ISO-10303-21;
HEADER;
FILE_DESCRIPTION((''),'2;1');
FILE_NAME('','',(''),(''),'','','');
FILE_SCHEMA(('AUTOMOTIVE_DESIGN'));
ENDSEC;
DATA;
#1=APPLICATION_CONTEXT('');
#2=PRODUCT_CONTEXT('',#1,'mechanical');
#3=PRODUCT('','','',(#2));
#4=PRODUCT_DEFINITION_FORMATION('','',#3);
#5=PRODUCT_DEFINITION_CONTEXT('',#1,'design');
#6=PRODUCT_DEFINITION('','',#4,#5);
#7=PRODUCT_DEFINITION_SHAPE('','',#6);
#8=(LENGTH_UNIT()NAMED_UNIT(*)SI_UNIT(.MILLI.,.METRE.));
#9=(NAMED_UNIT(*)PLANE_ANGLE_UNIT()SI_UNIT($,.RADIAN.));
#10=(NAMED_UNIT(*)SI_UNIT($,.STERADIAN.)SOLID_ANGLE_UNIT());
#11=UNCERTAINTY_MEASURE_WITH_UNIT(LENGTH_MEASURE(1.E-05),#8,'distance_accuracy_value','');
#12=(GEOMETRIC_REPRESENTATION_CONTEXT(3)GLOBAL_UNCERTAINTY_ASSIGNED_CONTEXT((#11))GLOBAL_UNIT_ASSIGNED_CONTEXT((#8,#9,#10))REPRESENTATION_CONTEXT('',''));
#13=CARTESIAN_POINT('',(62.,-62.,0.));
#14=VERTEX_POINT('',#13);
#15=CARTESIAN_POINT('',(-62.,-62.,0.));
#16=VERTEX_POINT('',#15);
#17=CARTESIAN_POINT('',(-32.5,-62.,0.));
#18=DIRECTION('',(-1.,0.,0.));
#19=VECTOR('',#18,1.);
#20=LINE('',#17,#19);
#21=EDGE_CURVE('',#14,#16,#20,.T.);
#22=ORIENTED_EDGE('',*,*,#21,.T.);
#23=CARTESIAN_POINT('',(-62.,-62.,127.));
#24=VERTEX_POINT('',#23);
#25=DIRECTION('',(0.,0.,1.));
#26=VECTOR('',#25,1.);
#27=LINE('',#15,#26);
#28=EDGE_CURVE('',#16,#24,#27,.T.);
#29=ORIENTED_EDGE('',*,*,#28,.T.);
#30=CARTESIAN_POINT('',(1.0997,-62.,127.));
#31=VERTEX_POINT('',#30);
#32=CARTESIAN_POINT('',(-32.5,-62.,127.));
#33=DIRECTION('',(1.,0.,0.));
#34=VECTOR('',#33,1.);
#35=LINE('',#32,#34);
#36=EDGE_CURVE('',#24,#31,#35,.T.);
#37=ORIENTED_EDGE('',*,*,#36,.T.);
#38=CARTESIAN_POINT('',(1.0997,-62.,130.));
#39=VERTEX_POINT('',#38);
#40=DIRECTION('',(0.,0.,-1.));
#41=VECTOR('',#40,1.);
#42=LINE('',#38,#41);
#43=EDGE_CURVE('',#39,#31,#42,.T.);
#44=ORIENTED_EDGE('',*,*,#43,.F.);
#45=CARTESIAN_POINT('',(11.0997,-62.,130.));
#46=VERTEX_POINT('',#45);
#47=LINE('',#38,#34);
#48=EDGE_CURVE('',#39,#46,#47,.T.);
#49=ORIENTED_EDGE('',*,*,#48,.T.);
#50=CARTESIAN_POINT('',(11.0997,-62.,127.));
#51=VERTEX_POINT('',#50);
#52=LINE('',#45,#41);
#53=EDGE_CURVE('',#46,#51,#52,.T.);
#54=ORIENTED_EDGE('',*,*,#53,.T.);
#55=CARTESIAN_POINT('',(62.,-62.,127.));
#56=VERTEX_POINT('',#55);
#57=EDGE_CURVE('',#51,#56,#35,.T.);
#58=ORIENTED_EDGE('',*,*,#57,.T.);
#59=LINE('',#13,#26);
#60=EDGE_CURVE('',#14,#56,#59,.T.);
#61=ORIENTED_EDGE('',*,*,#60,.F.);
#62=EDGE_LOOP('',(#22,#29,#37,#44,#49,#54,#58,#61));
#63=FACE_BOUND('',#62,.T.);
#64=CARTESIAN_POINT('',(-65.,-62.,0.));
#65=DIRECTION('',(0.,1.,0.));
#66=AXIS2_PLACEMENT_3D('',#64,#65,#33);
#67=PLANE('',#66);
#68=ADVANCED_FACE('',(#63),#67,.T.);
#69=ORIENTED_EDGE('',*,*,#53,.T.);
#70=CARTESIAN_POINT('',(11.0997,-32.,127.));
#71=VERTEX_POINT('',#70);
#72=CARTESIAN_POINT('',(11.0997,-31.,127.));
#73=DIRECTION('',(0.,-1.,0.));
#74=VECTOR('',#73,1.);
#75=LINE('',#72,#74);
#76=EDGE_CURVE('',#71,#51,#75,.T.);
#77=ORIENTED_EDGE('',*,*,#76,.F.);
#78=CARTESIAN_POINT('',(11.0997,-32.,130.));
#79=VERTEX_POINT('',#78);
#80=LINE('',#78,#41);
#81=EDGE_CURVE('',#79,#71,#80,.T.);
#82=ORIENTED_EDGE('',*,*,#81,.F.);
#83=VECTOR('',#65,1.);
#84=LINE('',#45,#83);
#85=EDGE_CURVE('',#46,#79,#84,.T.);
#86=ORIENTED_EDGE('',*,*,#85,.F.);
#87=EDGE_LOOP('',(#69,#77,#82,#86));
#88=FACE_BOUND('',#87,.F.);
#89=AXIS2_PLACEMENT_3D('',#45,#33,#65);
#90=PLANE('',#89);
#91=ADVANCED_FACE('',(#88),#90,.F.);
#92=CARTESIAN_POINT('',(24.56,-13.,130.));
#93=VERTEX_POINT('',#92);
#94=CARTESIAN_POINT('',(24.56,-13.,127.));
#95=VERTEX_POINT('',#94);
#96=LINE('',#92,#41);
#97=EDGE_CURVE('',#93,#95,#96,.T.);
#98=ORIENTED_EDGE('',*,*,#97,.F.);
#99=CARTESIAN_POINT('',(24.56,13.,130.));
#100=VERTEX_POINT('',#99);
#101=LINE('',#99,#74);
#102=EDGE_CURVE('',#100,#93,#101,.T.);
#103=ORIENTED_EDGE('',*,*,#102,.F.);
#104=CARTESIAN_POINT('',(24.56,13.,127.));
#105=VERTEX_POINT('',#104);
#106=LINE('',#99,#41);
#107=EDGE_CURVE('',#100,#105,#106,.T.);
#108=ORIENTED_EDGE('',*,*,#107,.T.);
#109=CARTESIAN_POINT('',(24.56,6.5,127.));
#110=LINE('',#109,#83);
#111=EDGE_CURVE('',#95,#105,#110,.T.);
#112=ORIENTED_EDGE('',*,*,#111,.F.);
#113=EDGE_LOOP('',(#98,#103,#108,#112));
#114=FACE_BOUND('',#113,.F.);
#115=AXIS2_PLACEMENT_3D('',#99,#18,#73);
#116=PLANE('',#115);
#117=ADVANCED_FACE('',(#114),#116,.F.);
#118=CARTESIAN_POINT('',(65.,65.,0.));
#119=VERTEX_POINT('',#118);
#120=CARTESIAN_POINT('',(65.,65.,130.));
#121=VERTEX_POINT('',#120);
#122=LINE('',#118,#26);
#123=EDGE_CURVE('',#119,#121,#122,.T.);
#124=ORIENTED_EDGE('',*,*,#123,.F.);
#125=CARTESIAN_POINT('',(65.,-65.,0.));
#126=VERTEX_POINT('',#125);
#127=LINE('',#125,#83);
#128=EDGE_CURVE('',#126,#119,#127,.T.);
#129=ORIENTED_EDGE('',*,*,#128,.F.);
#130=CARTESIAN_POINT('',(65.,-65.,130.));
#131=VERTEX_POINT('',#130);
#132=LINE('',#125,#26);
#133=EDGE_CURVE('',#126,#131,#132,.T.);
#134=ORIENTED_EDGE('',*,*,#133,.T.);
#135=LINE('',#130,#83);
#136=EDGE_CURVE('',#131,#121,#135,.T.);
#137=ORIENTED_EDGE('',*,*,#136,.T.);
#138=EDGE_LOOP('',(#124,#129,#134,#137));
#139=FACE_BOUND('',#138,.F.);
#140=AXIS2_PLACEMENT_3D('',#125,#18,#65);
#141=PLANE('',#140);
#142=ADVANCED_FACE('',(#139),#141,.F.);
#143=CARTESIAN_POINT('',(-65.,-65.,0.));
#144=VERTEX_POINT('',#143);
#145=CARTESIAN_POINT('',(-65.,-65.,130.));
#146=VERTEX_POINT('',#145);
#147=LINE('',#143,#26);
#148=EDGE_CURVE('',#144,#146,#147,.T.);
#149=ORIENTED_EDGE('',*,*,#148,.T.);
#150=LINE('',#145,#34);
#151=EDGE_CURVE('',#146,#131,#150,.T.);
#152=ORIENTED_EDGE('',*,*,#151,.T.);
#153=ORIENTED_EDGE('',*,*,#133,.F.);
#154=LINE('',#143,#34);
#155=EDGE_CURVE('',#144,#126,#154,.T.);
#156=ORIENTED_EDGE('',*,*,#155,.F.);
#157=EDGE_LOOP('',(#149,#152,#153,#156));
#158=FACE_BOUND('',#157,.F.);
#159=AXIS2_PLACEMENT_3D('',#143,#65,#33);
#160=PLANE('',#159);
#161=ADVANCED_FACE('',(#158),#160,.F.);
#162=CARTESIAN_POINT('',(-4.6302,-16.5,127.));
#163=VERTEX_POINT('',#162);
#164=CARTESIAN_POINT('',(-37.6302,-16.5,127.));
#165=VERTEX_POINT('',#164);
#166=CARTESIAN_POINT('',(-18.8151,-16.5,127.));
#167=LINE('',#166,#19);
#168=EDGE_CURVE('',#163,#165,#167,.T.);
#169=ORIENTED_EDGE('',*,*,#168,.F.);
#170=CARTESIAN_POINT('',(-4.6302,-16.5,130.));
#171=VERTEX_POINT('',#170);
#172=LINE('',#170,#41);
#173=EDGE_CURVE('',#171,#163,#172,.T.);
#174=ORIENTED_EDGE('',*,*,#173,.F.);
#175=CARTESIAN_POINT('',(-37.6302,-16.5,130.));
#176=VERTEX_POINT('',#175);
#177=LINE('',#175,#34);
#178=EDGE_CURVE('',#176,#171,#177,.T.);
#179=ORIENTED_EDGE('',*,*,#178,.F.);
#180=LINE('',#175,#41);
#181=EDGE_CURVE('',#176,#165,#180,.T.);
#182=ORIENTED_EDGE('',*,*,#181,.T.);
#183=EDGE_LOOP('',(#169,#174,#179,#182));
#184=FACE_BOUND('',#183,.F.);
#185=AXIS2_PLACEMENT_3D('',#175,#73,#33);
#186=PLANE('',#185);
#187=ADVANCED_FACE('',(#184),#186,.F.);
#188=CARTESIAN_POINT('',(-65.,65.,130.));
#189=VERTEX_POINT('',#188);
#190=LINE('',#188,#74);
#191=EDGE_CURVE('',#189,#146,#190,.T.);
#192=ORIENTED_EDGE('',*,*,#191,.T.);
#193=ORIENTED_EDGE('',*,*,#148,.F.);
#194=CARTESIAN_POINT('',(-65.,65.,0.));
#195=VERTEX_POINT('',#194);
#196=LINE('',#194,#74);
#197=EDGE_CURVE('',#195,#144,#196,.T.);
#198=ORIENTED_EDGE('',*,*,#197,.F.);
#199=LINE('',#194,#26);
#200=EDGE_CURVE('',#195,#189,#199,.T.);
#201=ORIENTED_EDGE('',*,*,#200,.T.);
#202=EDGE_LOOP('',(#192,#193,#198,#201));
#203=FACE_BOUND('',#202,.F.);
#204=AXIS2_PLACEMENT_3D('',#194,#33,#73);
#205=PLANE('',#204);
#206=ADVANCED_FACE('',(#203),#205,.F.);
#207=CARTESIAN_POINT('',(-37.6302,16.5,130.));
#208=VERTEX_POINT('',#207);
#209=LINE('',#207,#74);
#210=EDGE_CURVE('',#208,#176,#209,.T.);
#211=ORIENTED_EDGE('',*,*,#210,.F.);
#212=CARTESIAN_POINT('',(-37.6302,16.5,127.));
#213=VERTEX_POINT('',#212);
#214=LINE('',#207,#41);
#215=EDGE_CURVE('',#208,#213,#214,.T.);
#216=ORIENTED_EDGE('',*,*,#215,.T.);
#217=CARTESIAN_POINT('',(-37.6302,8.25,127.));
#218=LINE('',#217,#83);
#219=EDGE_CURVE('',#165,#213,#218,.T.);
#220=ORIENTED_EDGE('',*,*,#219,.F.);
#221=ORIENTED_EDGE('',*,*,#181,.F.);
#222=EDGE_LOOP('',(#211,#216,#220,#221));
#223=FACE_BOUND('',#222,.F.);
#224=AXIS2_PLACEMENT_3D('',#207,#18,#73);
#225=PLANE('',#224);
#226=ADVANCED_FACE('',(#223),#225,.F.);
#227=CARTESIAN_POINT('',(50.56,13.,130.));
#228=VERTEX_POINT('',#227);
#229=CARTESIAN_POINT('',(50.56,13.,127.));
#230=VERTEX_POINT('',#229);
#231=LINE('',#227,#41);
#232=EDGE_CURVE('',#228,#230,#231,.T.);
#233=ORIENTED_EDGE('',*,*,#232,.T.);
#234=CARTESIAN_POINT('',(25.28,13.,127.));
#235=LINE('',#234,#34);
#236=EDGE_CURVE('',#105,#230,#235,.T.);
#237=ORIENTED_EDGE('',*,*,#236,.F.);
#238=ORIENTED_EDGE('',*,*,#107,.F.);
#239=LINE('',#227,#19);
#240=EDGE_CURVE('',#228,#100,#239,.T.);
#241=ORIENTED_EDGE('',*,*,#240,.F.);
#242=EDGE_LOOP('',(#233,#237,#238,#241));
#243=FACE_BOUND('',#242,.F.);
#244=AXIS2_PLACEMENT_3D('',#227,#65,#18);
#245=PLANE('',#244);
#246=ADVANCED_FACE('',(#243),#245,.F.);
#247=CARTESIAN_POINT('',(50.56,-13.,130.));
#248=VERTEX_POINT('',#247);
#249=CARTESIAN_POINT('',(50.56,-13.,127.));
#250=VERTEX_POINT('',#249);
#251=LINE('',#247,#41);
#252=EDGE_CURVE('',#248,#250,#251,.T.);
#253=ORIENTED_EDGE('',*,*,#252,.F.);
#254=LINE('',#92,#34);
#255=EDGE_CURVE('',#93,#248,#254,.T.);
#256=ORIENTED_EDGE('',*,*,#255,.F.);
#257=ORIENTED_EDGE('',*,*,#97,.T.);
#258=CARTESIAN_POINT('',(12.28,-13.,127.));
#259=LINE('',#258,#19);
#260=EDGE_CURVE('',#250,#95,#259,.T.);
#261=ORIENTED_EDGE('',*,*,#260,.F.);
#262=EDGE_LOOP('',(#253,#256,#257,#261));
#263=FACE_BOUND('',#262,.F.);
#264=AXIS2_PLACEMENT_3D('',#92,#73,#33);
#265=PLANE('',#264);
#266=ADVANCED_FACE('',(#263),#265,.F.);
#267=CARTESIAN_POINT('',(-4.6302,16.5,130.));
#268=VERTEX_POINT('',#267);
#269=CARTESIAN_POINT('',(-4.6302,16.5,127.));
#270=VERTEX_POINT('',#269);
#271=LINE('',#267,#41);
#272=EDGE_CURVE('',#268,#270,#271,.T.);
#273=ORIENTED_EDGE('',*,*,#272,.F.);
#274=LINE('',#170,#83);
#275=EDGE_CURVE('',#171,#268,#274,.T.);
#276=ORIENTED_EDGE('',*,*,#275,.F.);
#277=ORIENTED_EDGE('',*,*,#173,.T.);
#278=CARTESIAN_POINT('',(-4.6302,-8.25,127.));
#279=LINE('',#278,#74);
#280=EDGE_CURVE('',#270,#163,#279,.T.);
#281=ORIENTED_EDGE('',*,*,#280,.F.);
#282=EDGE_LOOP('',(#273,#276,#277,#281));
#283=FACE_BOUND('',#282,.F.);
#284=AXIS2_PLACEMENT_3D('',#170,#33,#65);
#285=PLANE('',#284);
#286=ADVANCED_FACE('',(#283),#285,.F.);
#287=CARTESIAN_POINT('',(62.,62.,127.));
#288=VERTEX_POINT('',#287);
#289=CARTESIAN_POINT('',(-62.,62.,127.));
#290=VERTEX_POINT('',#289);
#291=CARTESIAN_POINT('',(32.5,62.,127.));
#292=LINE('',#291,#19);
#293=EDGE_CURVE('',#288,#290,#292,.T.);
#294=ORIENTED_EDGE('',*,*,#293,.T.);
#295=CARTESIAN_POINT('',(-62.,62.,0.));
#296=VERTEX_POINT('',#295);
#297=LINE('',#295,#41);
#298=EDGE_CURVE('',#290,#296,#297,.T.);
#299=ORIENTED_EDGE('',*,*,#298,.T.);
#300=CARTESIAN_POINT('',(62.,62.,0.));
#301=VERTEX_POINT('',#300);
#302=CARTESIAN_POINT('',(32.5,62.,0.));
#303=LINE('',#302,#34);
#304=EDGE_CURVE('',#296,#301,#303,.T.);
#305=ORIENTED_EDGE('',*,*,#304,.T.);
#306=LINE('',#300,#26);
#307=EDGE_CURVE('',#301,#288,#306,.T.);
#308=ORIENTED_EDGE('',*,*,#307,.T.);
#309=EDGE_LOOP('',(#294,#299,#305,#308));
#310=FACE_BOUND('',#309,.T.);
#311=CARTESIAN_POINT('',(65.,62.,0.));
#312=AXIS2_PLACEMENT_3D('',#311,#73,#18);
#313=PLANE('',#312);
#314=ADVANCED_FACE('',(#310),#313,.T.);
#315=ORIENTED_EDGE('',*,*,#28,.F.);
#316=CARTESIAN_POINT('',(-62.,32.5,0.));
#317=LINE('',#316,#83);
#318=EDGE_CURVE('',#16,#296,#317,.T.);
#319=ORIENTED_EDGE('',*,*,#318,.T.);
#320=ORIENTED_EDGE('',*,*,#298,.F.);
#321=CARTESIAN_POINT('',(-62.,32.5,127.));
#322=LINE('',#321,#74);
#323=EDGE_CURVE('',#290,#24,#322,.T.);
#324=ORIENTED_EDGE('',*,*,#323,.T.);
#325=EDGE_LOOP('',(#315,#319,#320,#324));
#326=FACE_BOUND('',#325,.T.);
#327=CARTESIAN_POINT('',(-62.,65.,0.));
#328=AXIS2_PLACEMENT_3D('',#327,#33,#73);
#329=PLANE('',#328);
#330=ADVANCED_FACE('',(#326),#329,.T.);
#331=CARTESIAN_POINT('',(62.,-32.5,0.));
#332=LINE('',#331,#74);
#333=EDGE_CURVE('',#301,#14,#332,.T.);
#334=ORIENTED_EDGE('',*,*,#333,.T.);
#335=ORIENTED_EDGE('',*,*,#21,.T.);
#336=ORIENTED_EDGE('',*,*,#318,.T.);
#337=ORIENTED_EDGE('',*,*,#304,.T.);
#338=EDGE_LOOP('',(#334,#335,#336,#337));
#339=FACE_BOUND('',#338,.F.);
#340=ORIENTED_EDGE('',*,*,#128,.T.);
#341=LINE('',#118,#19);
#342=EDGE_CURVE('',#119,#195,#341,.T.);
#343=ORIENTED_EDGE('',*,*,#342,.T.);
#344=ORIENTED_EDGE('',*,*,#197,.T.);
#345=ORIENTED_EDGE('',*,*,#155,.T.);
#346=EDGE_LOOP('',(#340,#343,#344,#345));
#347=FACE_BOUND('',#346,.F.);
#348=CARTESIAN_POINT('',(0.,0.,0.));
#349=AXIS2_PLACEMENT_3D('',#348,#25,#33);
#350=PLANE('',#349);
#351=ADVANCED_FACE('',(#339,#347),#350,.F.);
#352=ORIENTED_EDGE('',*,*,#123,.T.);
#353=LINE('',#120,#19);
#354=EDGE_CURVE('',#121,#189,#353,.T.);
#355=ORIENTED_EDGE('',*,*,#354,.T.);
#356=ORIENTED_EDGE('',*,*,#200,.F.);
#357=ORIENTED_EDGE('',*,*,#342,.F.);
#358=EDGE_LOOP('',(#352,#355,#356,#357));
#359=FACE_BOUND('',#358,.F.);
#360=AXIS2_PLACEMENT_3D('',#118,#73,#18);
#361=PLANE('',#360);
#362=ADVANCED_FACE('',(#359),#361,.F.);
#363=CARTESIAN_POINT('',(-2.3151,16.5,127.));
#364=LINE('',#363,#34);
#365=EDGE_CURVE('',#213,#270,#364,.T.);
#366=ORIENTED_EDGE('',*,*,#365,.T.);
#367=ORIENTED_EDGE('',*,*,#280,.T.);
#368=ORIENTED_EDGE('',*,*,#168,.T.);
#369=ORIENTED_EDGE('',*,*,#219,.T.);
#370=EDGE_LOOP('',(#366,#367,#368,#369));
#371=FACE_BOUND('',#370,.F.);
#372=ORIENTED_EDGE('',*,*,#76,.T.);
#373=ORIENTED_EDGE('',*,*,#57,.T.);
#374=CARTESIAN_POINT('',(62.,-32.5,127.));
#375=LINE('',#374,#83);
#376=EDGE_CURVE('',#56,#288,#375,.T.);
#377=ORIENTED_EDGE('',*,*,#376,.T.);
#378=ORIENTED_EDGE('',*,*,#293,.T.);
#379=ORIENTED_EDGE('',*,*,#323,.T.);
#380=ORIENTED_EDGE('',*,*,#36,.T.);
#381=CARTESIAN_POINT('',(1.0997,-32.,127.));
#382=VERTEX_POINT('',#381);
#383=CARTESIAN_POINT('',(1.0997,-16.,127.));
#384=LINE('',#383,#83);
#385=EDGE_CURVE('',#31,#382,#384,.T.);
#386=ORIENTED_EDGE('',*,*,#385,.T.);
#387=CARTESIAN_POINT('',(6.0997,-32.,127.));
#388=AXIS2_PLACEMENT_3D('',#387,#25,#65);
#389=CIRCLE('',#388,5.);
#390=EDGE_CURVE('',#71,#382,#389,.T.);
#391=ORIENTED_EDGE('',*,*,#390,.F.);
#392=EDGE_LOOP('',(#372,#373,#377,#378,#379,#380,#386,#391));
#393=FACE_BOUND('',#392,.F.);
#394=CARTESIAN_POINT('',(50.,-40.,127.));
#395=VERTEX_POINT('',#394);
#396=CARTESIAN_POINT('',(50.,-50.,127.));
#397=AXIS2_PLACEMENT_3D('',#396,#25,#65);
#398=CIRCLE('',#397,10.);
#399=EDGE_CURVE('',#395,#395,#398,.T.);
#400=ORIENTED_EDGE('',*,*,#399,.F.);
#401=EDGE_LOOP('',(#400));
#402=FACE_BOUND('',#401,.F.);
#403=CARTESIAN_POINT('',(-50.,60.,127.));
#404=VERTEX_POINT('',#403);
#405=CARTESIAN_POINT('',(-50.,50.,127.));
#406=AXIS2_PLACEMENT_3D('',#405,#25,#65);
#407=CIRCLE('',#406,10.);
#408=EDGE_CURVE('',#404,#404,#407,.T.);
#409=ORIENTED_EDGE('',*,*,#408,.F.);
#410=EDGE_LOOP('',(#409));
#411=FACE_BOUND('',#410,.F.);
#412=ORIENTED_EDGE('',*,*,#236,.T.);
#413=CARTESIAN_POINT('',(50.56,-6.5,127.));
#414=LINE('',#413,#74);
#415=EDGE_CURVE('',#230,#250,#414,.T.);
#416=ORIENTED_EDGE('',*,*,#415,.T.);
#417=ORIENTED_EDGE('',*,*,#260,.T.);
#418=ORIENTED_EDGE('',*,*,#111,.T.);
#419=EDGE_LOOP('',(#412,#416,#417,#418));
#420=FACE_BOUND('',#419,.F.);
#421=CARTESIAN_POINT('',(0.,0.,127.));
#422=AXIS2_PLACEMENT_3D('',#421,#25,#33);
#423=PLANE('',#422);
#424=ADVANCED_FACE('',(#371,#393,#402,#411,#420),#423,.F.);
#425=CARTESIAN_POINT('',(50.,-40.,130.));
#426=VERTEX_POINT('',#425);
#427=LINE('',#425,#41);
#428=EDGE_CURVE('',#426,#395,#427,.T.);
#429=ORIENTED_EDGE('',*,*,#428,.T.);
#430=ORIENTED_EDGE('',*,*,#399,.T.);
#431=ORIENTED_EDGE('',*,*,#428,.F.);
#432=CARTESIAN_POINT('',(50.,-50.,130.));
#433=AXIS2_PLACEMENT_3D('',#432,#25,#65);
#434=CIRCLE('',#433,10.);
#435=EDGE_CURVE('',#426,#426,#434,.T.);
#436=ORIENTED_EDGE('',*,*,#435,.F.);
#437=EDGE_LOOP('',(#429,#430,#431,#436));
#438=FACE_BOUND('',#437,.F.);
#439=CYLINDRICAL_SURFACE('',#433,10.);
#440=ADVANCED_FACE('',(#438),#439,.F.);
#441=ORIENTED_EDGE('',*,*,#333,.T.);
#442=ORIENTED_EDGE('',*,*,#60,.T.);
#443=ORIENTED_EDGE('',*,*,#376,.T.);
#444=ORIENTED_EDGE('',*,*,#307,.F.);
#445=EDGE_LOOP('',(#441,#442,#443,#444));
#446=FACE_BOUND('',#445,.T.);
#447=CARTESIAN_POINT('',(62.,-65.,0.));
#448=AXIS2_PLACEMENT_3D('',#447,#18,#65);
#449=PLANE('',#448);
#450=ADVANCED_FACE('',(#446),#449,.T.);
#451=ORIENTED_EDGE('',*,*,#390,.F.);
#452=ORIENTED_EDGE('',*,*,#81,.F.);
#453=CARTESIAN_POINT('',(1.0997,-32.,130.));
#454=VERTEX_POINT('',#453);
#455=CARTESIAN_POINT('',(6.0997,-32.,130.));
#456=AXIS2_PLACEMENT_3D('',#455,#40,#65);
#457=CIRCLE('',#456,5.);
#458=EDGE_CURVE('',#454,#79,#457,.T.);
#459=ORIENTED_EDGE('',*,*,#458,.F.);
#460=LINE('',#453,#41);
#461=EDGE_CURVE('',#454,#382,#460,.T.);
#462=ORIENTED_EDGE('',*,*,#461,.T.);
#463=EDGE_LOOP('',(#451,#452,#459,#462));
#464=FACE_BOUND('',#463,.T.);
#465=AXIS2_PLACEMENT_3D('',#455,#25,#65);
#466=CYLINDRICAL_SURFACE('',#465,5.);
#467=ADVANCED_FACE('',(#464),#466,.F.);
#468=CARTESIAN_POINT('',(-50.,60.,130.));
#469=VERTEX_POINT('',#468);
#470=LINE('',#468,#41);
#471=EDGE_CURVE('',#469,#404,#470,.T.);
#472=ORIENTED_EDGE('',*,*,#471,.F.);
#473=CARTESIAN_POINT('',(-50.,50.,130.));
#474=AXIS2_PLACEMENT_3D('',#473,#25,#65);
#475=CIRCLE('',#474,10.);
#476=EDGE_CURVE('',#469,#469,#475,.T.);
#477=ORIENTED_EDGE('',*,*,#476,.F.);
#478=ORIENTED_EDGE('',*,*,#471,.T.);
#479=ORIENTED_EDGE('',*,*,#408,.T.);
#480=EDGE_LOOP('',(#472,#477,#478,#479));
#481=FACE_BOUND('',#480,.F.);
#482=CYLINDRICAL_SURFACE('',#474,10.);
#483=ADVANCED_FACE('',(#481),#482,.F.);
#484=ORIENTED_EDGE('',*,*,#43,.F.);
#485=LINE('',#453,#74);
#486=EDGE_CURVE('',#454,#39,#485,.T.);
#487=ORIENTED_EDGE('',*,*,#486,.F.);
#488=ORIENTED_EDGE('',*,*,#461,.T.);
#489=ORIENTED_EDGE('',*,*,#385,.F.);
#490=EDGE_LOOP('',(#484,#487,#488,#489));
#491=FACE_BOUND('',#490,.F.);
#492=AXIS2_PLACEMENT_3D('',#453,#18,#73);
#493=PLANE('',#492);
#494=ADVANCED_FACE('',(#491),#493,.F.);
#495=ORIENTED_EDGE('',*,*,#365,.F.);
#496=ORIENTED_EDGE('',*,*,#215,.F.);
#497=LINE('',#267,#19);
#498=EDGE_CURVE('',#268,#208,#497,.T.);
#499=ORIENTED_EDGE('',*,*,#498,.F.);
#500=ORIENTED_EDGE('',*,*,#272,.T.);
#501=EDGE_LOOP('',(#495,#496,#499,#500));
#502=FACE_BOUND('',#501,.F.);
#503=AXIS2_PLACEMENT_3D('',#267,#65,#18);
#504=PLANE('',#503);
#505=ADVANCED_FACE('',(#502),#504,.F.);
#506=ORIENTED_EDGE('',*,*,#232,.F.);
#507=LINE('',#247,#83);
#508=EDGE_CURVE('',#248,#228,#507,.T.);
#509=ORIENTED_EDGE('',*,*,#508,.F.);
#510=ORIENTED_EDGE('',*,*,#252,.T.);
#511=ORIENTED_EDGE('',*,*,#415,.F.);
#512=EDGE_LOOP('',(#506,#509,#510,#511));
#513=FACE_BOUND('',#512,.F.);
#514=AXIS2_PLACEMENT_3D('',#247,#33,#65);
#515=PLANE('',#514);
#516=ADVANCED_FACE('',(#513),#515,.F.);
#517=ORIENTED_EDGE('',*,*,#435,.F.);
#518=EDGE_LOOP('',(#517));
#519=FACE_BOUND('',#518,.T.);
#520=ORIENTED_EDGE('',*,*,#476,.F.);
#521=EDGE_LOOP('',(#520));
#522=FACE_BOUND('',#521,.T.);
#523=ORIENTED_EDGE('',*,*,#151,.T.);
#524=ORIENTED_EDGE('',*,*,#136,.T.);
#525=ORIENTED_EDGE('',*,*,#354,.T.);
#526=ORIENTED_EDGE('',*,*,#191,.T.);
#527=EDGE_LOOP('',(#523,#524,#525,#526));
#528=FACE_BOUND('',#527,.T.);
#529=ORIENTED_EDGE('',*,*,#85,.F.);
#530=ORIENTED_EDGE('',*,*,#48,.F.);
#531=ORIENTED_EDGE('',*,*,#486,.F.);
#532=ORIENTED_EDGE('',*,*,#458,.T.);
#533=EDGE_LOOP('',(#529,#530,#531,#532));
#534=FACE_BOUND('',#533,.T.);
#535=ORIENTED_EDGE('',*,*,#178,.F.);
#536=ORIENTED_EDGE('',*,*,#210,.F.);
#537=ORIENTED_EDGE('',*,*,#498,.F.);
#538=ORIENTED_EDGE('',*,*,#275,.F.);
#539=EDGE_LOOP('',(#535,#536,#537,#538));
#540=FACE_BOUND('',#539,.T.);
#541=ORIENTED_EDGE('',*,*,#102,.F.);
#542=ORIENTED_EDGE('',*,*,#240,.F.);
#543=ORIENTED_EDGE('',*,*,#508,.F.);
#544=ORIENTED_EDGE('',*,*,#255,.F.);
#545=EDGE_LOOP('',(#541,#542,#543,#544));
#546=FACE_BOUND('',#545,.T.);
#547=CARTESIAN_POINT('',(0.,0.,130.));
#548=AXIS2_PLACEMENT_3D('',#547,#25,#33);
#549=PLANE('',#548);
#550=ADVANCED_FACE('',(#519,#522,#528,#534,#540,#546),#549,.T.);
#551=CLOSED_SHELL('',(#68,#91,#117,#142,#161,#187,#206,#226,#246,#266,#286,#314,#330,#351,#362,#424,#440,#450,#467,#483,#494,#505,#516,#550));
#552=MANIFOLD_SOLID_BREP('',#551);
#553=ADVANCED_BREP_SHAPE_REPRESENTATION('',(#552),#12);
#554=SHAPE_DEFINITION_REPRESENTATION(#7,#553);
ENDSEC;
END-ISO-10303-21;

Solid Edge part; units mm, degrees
sketch "Sketch1" plane through (0, 0, 0) normal (0, 0, 1) x (1, 0, 0)
  line L0 (-65, 65) -> (-65, -65)
  line L1 (-65, -65) -> (65, -65)
  line L2 (65, -65) -> (65, 65)
  line L3 (65, 65) -> (-65, 65)
extrude "Protrusion1" add sketch "Sketch1" along normal blind 130
shell "Thinwall_1" thickness 3 removed faces 1 at (-44.6333, -42.0333, 0)
sketch "Sketch2" plane through (0, 0, 130) normal (0, 0, 1) x (0, 1, 0)
  line L0 (-16.5, 37.6302) -> (-16.5, 4.6302)
  line L1 (-16.5, 4.6302) -> (16.5, 4.6302)
  line L2 (16.5, 4.6302) -> (16.5, 37.6302)
  line L3 (16.5, 37.6302) -> (-16.5, 37.6302)
  circle A0 centre (50, 50) radius 10
  line L4 (-62, -11.0997) -> (-32, -11.0997)
  line L5 (-32, -1.0997) -> (-62, -1.0997)
  line L6 (-62, -1.0997) -> (-62, -11.0997)
  arc A1 (-32, -1.0997) -> (-32, -11.0997) centre (-32, -6.0997) cw
  circle A2 centre (-50, -50) radius 10
  line L7 (-13, -24.56) -> (-13, -50.56)
  line L8 (-13, -50.56) -> (13, -50.56)
  line L9 (13, -50.56) -> (13, -24.56)
  line L10 (13, -24.56) -> (-13, -24.56)
extrude "Cutout1" cut sketch "Sketch2" against normal up to next
